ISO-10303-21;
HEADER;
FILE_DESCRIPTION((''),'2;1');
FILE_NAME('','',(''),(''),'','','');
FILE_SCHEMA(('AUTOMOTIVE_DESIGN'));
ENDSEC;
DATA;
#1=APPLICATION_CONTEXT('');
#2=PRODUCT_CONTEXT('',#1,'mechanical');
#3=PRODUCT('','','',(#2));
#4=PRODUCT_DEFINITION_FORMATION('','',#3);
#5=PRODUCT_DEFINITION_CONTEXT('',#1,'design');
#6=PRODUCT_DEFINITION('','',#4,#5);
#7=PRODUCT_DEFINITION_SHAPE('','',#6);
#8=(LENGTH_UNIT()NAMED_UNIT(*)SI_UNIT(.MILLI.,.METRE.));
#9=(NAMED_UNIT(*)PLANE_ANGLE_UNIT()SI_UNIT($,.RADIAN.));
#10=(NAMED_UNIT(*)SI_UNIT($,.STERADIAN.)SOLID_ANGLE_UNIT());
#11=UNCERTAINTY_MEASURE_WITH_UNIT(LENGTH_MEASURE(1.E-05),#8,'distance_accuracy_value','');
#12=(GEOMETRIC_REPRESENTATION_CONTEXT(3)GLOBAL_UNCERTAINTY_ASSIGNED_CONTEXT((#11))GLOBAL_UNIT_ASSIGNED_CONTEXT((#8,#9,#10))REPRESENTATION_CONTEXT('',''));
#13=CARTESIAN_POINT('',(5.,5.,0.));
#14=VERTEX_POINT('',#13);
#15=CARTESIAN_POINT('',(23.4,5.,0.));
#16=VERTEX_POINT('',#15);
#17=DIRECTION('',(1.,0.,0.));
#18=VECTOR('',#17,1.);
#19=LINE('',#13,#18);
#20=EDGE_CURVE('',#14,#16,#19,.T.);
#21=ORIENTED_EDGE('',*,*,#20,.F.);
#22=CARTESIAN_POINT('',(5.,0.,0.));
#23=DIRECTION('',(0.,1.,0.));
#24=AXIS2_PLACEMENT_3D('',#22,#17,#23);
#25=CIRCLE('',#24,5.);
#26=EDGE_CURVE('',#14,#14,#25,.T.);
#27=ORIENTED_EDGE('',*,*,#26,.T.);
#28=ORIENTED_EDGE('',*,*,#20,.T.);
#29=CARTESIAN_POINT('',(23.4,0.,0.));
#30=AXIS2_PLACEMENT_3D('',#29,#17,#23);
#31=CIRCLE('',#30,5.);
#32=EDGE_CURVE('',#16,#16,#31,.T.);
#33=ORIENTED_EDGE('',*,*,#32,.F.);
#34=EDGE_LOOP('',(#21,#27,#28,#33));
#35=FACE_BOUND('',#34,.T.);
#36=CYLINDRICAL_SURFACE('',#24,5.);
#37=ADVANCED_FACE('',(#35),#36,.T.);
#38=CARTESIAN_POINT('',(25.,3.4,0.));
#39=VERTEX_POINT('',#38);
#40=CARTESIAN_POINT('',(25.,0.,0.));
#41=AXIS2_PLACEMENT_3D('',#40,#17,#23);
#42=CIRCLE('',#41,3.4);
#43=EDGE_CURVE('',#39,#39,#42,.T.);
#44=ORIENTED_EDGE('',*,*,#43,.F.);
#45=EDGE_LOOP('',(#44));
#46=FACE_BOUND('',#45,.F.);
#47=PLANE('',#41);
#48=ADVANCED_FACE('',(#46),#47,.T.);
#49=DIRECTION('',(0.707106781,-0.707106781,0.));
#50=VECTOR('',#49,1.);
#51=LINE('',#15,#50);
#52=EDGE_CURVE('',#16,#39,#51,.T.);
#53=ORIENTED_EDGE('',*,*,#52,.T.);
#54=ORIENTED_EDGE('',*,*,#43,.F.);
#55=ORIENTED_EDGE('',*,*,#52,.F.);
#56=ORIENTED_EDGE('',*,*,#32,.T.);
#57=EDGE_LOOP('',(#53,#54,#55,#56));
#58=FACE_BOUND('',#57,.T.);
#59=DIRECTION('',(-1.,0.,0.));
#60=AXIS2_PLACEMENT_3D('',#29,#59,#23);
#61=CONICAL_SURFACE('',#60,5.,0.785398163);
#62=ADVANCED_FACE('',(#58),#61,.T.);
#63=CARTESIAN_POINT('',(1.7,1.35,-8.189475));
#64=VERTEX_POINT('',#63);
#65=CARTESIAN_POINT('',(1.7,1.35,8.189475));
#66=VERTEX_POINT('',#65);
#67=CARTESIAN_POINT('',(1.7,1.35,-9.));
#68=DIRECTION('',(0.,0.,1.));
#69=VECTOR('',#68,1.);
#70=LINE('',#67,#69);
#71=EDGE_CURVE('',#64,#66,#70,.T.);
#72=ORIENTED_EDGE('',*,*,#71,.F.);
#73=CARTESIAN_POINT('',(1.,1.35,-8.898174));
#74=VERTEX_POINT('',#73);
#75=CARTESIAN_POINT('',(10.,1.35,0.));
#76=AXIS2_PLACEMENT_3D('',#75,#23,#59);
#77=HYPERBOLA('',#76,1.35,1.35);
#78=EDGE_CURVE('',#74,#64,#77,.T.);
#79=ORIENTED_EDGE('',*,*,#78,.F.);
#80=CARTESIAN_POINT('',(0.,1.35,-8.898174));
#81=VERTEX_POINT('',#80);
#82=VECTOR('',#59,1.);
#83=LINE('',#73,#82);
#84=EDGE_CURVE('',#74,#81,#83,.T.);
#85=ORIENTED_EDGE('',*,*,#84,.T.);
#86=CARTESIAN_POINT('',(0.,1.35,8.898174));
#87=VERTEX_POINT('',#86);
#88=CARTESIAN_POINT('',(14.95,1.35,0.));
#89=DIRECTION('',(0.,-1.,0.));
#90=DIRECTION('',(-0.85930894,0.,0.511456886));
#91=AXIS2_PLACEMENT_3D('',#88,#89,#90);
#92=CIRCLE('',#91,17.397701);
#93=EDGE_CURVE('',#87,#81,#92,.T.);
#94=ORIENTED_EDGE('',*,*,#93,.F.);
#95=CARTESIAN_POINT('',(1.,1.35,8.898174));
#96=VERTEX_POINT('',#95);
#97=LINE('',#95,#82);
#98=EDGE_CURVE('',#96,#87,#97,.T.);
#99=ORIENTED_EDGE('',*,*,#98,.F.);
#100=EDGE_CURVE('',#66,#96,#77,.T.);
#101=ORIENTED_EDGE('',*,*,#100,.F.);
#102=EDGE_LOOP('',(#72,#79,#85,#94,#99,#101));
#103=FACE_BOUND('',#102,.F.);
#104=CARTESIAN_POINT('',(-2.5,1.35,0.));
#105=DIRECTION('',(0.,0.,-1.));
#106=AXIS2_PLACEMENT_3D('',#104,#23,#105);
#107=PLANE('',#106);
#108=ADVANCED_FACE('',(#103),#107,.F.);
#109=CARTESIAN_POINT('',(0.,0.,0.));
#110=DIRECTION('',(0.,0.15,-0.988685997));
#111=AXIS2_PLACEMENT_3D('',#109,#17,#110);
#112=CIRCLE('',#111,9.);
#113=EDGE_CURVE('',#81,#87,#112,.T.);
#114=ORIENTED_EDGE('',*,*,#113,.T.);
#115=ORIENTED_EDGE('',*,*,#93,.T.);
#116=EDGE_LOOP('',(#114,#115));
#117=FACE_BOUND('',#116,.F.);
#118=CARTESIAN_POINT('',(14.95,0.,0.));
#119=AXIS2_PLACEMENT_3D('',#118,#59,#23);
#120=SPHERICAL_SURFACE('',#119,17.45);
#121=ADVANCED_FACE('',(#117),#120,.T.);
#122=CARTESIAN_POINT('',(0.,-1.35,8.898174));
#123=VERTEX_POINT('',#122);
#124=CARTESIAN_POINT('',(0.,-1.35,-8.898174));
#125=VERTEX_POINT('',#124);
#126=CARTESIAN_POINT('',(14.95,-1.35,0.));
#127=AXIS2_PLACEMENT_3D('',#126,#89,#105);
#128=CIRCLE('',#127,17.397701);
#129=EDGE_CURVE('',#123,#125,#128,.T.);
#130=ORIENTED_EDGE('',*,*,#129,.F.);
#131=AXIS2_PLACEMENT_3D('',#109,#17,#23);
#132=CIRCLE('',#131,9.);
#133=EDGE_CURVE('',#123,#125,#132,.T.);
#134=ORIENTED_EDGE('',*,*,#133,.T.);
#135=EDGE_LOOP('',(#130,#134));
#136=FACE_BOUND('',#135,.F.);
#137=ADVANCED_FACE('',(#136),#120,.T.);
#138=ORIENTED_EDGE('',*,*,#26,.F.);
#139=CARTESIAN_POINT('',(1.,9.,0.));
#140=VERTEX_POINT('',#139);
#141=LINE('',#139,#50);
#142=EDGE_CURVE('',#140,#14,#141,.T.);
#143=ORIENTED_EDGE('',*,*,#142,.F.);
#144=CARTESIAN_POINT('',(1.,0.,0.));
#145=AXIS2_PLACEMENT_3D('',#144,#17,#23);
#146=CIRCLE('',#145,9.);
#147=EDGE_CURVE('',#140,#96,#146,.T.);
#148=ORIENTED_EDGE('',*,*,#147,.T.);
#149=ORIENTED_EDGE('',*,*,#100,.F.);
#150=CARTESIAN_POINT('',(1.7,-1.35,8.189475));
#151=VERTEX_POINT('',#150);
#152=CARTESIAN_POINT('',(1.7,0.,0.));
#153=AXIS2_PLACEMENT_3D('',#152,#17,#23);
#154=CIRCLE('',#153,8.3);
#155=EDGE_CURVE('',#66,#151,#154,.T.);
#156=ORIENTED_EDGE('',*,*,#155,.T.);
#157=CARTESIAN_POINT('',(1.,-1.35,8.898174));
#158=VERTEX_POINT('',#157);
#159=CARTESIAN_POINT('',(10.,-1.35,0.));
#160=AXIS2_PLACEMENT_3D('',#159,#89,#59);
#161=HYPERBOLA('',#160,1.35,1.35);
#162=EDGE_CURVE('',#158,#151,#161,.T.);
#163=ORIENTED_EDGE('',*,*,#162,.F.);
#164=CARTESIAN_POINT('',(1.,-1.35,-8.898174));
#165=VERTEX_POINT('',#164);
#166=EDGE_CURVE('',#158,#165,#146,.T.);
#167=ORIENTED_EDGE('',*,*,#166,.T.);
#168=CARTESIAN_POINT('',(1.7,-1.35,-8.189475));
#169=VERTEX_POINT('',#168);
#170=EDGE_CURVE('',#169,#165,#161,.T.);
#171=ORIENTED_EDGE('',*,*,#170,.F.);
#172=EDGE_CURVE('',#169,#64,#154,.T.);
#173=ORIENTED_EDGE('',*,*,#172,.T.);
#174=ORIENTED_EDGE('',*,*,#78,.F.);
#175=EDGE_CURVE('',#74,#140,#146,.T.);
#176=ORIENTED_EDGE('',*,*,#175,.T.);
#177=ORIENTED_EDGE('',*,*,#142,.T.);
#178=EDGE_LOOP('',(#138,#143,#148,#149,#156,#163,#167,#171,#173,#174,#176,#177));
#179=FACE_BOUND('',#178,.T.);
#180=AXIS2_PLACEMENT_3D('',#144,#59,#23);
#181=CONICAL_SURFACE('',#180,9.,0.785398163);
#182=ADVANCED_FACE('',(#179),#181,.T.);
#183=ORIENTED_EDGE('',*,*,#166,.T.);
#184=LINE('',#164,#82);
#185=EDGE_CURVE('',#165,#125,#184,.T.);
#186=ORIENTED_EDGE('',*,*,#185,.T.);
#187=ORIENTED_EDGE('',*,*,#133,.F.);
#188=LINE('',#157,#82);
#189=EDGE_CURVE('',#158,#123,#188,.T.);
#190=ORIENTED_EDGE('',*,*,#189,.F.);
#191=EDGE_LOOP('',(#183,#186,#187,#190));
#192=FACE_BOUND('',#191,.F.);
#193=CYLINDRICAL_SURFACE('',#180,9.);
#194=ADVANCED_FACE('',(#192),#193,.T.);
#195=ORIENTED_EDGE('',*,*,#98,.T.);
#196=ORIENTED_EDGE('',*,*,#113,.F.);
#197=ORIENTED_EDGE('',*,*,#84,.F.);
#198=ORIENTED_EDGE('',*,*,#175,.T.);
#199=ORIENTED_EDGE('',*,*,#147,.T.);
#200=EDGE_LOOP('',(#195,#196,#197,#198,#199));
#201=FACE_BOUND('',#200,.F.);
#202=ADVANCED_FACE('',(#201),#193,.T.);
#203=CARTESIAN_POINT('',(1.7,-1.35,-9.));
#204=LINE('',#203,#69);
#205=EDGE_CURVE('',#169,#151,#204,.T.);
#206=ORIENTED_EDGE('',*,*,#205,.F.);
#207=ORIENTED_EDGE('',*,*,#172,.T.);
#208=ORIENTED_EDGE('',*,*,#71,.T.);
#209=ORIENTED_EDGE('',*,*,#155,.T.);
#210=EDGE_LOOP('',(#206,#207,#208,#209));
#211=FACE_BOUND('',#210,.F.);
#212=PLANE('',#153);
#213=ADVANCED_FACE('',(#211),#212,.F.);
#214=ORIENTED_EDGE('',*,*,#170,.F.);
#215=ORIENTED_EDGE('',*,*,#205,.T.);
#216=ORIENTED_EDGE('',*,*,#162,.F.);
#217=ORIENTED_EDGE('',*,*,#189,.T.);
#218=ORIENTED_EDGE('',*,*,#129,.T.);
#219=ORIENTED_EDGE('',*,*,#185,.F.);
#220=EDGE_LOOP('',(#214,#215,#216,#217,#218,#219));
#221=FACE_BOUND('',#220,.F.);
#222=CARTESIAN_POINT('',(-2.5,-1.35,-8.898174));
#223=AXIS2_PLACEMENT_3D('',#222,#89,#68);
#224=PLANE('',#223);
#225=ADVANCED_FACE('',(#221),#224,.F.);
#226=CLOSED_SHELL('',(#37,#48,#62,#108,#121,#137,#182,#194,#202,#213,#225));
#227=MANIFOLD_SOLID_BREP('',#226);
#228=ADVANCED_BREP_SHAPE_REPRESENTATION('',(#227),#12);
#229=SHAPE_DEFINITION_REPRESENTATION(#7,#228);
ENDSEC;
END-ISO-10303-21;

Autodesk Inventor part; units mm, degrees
ref_plane "YZ Plane" through (0, 0, 0) normal (1, 0, 0) x (0, 1, 0)
sketch "Эскиз1" plane through (0, 0, 0) normal (0, 0, 1) x (1, 0, 0)
  line L0 (25, 0) -> (25, 5)
  line L1 (25, 5) -> (6.5, 5)
  line L2 (1, 9) -> (0, 9)
  line L3 (0, 9) -> (0, 0) construction
  arc A0 (0, 9) -> (-2.5, 0) centre (14.95, 0) ccw
  line L4 (-12.7193, 0) -> (31.2866, 0) projected
  line L5 (0, -1.8341) -> (0, 11.0045) projected
  line L6 (-2.5, 0) -> (-2.5, 9) construction
  line L7 (-2.5, 9) -> (0, 9) construction
  line L8 (0, 9) -> (0, 0)
  line L9 (-2.5, 0) -> (0, 0)
  line L10 (0, 0) -> (25, 0)
  line L11 (5, 5) -> (5.5798, 5)
  line L12 (5.5798, 5) -> (6.5, 5)
  line L13 (6.5, 5) -> (-6.4328, 5) construction
  line L14 (1, 9) -> (5, 5)
  line L15 (5, 5) -> (5, 5)
  line L16 (6.5, 5) -> (5, 5) construction
  dimension "d0" = 18.5
  dimension "d1" = 25
  dimension "d2" = 2.5
  dimension "d3" = 10
  dimension "d4" = 18
  dimension "d5" = 10
  dimension "d6" = 0.9202
  dimension "d15" = 5
  dimension "d16" = 45
revolve "Базовый элемент" add sketch "Эскиз1" angle 360 about axis through (0, 0, 0) along (1, 0, 0)
ref_plane "IDS_WORKPLANE{1}" through (-2.5, 0, 0) normal (1, 0, 0) x (0, 1, 0)
sketch "Эскиз2" plane through (-2.5, 0, 0) normal (1, 0, 0) x (0, 1, 0)
  line L0 (0, -12.6) -> (0, 12.6) projected
  line L1 (-12.6, 0) -> (12.6, 0) projected
  line L2 (1.35, -9) -> (-1.35, -9)
  line L3 (-1.35, -9) -> (-1.35, 9)
  line L4 (-1.35, 9) -> (1.35, 9)
  line L5 (1.35, 9) -> (1.35, -9)
  line L6 (0, 9) -> (0, -9) construction
  line L7 (-1.35, 0) -> (1.35, 0) construction
  circle A0 centre (0, 0) radius 9 projected
  dimension "d12" = 2.7
extrude "Паз" cut sketch "Эскиз2" along normal blind 4.2 contours A0 L3 L1 L0 | A0 L5 L2 | L2 L3 A0 | L0 L1 L5 A0 | L1 L3 A0 L0 | L0 A0 L5 L1 | A0 L3 L4 | L4 L5 A0
thread "Резьба" size "M10x1.5" class "6g" standard "ISO Metric profile" length 20
chamfer "Фаска1" distance 1.6 angle 45 1 edges at (25, -5, 0)
ref_plane "Work Plane2" through (10.9537, 0, 0) normal (0, 0, -1) x (1, 0, 0)
equation "\"d0\" = GEL"
equation "\"d5\" = BDM"
equation "\"d6\" = GAL"
equation "\"NLG\" = 25"
equation "\"GEL\" = 18.5"
equation "\"KOD\" = 18"
equation "\"KOH\" = 5"
equation "\"STI\" = 4.9"
equation "\"SBR\" = 1.35"
equation "\"KAH\" = 2.5"
equation "\"GAL\" = 0.61345 * PTC"
equation "\"GUL\" = 0.61345 * PTC"
equation "\"BDM\" = NND"
equation "\"SPD\" = NND - 1.2269 * PTC"
equation "\"SEWI\" = 90deg"
equation "\"d11\" = -KAH"
equation "\"KR\" = 19"
equation "\"PTC\" = 1.5"
equation "\"TOA\" = 30deg"
equation "\"RR\" = 0.1 * NND"
equation "\"GD1\" = THREADDIA - 1.2269 * PTC"
equation "\"FAWI\" = 45deg"
equation "\"NND\" = 10"
equation "\"THREADDIA\" = 10"
properties part number "Винт M10-6gx25 ГОСТ 17474-80" material "Сталь, мягкая"
